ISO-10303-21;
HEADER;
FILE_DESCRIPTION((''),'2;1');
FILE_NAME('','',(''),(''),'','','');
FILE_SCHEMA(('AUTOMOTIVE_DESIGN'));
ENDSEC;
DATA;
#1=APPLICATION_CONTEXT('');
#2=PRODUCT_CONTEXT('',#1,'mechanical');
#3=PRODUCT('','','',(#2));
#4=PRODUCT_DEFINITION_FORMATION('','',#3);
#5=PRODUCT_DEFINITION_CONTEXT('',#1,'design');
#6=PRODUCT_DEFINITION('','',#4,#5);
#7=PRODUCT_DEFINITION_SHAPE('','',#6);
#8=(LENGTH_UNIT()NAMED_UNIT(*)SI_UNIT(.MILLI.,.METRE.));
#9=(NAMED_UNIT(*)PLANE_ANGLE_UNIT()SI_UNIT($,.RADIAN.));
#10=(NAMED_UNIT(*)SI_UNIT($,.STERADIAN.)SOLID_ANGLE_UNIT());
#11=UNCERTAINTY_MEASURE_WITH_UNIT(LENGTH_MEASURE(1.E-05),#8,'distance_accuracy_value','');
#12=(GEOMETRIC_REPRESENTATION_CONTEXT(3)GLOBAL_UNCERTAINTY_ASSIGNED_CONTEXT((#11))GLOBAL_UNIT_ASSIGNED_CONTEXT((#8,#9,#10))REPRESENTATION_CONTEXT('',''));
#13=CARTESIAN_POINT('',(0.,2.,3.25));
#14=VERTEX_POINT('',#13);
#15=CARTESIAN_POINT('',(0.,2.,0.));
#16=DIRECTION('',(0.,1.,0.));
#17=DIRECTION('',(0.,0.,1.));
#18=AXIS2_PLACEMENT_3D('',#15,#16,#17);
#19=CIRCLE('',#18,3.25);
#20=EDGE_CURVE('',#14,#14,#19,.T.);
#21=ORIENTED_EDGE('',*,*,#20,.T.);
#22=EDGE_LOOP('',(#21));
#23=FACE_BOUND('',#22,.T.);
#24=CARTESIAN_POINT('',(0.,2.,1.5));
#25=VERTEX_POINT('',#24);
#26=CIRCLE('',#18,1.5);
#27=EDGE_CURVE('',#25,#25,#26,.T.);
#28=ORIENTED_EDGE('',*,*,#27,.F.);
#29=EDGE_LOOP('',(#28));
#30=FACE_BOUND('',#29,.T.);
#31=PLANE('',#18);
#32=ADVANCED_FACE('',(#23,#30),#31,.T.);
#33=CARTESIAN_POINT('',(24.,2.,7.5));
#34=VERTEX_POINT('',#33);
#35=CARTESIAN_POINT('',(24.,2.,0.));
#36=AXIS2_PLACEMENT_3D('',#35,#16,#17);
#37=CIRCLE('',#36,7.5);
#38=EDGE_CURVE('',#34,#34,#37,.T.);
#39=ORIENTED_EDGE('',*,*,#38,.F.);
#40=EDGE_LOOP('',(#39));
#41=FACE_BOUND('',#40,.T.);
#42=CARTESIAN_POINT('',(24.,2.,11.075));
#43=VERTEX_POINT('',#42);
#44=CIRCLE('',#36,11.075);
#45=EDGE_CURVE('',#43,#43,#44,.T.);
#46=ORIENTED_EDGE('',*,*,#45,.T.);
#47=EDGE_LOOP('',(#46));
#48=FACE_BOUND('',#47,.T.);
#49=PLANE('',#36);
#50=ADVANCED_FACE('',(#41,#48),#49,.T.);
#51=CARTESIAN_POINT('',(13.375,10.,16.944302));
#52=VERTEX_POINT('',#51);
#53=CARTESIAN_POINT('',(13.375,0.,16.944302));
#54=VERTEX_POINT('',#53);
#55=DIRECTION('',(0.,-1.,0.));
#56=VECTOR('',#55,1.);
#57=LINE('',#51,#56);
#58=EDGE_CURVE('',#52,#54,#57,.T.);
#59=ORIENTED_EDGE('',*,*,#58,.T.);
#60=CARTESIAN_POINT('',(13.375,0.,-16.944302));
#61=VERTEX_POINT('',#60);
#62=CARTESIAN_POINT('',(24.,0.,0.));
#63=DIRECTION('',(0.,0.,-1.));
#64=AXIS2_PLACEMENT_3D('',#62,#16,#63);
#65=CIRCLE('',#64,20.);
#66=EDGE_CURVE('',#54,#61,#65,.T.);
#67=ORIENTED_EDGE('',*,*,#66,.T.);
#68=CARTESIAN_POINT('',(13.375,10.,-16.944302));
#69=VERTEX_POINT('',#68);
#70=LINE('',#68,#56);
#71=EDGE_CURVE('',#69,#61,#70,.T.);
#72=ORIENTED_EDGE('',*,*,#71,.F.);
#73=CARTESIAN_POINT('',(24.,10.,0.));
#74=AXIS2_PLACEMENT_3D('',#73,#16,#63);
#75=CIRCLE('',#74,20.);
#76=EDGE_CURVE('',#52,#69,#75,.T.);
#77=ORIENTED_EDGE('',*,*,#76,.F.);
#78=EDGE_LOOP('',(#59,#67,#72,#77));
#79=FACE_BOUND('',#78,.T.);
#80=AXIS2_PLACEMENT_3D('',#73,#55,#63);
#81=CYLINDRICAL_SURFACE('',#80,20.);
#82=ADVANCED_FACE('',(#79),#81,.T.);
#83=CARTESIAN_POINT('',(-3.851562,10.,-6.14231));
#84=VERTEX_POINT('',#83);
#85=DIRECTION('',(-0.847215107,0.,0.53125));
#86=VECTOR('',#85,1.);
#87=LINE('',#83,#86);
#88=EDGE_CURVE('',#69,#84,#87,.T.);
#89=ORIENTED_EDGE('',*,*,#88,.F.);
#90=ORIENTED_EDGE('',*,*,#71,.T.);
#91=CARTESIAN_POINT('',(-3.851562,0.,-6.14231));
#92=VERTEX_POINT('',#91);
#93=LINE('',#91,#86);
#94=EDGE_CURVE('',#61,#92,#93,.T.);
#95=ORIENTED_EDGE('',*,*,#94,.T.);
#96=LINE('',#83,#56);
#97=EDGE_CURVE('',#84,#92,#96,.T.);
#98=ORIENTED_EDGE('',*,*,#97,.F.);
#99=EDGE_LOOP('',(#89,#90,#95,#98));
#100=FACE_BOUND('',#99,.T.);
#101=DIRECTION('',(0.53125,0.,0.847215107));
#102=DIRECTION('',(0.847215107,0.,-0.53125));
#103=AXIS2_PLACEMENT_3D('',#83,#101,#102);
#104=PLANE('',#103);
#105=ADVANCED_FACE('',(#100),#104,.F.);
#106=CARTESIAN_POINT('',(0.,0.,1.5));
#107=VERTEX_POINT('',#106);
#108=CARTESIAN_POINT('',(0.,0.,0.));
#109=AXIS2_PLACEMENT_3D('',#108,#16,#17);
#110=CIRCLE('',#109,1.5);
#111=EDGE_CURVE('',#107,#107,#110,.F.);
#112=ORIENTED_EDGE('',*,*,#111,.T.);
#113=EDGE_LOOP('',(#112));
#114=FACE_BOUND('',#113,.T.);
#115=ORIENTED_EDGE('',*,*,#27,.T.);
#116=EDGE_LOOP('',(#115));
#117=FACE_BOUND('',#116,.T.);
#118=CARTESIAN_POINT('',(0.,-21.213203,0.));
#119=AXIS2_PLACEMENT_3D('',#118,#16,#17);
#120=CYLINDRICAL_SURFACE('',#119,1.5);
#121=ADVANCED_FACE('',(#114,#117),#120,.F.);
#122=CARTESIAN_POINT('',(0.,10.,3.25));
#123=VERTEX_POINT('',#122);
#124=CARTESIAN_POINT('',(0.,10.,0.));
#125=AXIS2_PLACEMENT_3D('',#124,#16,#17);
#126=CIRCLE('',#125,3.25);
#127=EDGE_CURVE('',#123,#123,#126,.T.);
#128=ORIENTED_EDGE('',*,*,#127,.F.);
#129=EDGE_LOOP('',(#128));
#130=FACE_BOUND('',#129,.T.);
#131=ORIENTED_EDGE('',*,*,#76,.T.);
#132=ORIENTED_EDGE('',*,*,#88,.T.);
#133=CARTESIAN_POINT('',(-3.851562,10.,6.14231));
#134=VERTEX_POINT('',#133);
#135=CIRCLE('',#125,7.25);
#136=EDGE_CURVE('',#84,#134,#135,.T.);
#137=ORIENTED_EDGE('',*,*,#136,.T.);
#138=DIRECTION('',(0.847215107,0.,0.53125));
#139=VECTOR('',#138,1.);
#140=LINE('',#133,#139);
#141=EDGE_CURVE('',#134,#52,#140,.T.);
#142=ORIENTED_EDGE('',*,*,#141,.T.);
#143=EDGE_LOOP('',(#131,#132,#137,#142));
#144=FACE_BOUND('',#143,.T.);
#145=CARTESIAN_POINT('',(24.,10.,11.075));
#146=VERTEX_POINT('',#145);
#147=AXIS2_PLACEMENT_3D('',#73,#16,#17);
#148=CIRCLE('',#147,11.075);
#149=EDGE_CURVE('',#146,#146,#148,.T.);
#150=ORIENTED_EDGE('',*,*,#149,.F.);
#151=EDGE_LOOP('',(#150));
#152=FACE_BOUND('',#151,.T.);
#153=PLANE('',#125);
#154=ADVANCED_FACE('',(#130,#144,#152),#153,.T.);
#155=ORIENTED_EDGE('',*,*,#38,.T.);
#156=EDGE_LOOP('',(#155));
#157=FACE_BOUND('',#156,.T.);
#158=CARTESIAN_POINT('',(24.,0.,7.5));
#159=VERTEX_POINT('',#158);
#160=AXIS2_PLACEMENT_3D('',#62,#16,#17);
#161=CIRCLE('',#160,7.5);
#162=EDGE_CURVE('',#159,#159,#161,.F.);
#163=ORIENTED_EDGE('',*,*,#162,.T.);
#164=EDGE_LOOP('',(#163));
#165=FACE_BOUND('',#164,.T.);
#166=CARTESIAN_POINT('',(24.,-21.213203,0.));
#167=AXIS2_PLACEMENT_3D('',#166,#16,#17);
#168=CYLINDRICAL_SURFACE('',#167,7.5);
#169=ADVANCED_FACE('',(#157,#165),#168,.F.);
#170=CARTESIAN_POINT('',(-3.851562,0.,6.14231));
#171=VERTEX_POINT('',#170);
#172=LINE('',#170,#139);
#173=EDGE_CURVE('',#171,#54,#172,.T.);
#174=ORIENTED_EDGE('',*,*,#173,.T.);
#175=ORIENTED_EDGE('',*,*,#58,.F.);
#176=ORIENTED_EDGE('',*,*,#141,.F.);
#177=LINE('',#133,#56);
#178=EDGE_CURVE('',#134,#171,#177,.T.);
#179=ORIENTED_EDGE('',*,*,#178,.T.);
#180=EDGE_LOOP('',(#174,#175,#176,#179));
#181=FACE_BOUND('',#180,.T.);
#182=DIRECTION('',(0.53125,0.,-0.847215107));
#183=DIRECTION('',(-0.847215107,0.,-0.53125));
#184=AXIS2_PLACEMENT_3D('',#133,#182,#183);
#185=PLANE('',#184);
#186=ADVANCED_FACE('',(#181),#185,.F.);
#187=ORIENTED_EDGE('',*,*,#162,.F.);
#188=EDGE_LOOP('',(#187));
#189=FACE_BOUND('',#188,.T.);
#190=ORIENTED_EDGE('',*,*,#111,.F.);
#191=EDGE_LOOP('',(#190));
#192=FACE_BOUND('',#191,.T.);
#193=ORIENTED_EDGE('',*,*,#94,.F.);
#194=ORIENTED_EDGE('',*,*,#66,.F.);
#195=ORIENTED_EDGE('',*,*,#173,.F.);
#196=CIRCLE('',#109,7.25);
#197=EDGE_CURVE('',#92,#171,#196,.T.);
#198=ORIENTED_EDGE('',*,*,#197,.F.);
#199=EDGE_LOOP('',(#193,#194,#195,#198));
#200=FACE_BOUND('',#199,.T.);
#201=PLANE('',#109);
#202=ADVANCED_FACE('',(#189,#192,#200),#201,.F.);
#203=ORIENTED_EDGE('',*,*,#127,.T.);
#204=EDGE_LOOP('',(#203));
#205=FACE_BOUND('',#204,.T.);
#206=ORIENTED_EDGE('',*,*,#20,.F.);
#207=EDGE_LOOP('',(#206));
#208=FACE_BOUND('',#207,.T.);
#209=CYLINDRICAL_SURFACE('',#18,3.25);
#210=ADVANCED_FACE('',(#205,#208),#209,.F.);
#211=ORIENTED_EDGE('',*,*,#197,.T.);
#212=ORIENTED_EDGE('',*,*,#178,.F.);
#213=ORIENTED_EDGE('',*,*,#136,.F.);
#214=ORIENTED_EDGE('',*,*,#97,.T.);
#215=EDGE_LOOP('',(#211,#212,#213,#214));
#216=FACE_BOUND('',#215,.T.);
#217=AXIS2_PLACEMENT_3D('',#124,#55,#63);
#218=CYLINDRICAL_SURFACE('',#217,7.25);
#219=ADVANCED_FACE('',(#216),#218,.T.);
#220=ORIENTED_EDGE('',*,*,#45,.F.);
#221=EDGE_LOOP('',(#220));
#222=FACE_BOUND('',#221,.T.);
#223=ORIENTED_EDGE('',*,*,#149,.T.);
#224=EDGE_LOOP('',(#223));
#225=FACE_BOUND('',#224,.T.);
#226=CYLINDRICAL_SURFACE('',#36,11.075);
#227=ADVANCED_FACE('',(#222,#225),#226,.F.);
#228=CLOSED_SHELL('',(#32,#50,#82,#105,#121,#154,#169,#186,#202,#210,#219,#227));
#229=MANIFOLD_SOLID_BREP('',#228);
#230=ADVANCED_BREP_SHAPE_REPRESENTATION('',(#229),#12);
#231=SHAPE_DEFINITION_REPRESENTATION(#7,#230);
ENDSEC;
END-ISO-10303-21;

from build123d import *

# Parameters (mm, degrees)
AUFSATZ_LINEAR_AUSTRAGEN1_DEPTH = 10
SKIZZE2_R                       = 3.25
SKIZZE2_R_2                     = 11.075
SCHNITT_LINEAR_AUSTRAGEN1_DEPTH = 8
SKIZZE3_R                       = 7.5
SKIZZE3_R_2                     = 1.5
SCHNITT_LINEAR_AUSTRAGEN2_DEPTH = 2


with BuildPart() as part:
    # Skizze1 → Aufsatz-Linear austragen1 (new body)
    with BuildSketch(Plane(origin=(0, 0, 0), x_dir=(1, 0, 0), z_dir=(0, 1, 0))):
        with BuildLine():
            Line((-3.8515625, -6.142309526), (13.375, -16.94430214))
            ThreePointArc((13.375, -16.94430214), (44, 0), (13.375, 16.94430214))
            Line((13.375, 16.94430214), (-3.8515625, 6.142309526))
            ThreePointArc((-3.8515625, 6.142309526), (-7.25, 0), (-3.8515625, -6.142309526))
        make_face()
    extrude(amount=AUFSATZ_LINEAR_AUSTRAGEN1_DEPTH)

    # Skizze2 → Schnitt-Linear austragen1 (cut)
    with BuildSketch(Plane(origin=(0, 10, 0), x_dir=(1, 0, 0), z_dir=(0, 1, 0))):
        with Locations(Location((0, 0, 0), (0, 0, 270))):
            Circle(SKIZZE2_R)
        with Locations(Location((24, 0, 0), (0, 0, 270))):
            Circle(SKIZZE2_R_2)
    extrude(amount=-SCHNITT_LINEAR_AUSTRAGEN1_DEPTH, mode=Mode.SUBTRACT)

    # Skizze3 → Schnitt-Linear austragen2 (cut)
    with BuildSketch(Plane(origin=(0, 2, 0), x_dir=(1, 0, 0), z_dir=(0, 1, 0))):
        with Locations(Location((24, 0, 0), (0, 0, 270))):
            Circle(SKIZZE3_R)
        with Locations(Location((0, 0, 0), (0, 0, 270))):
            Circle(SKIZZE3_R_2)
    extrude(amount=-SCHNITT_LINEAR_AUSTRAGEN2_DEPTH, mode=Mode.SUBTRACT)


solid = part.part
